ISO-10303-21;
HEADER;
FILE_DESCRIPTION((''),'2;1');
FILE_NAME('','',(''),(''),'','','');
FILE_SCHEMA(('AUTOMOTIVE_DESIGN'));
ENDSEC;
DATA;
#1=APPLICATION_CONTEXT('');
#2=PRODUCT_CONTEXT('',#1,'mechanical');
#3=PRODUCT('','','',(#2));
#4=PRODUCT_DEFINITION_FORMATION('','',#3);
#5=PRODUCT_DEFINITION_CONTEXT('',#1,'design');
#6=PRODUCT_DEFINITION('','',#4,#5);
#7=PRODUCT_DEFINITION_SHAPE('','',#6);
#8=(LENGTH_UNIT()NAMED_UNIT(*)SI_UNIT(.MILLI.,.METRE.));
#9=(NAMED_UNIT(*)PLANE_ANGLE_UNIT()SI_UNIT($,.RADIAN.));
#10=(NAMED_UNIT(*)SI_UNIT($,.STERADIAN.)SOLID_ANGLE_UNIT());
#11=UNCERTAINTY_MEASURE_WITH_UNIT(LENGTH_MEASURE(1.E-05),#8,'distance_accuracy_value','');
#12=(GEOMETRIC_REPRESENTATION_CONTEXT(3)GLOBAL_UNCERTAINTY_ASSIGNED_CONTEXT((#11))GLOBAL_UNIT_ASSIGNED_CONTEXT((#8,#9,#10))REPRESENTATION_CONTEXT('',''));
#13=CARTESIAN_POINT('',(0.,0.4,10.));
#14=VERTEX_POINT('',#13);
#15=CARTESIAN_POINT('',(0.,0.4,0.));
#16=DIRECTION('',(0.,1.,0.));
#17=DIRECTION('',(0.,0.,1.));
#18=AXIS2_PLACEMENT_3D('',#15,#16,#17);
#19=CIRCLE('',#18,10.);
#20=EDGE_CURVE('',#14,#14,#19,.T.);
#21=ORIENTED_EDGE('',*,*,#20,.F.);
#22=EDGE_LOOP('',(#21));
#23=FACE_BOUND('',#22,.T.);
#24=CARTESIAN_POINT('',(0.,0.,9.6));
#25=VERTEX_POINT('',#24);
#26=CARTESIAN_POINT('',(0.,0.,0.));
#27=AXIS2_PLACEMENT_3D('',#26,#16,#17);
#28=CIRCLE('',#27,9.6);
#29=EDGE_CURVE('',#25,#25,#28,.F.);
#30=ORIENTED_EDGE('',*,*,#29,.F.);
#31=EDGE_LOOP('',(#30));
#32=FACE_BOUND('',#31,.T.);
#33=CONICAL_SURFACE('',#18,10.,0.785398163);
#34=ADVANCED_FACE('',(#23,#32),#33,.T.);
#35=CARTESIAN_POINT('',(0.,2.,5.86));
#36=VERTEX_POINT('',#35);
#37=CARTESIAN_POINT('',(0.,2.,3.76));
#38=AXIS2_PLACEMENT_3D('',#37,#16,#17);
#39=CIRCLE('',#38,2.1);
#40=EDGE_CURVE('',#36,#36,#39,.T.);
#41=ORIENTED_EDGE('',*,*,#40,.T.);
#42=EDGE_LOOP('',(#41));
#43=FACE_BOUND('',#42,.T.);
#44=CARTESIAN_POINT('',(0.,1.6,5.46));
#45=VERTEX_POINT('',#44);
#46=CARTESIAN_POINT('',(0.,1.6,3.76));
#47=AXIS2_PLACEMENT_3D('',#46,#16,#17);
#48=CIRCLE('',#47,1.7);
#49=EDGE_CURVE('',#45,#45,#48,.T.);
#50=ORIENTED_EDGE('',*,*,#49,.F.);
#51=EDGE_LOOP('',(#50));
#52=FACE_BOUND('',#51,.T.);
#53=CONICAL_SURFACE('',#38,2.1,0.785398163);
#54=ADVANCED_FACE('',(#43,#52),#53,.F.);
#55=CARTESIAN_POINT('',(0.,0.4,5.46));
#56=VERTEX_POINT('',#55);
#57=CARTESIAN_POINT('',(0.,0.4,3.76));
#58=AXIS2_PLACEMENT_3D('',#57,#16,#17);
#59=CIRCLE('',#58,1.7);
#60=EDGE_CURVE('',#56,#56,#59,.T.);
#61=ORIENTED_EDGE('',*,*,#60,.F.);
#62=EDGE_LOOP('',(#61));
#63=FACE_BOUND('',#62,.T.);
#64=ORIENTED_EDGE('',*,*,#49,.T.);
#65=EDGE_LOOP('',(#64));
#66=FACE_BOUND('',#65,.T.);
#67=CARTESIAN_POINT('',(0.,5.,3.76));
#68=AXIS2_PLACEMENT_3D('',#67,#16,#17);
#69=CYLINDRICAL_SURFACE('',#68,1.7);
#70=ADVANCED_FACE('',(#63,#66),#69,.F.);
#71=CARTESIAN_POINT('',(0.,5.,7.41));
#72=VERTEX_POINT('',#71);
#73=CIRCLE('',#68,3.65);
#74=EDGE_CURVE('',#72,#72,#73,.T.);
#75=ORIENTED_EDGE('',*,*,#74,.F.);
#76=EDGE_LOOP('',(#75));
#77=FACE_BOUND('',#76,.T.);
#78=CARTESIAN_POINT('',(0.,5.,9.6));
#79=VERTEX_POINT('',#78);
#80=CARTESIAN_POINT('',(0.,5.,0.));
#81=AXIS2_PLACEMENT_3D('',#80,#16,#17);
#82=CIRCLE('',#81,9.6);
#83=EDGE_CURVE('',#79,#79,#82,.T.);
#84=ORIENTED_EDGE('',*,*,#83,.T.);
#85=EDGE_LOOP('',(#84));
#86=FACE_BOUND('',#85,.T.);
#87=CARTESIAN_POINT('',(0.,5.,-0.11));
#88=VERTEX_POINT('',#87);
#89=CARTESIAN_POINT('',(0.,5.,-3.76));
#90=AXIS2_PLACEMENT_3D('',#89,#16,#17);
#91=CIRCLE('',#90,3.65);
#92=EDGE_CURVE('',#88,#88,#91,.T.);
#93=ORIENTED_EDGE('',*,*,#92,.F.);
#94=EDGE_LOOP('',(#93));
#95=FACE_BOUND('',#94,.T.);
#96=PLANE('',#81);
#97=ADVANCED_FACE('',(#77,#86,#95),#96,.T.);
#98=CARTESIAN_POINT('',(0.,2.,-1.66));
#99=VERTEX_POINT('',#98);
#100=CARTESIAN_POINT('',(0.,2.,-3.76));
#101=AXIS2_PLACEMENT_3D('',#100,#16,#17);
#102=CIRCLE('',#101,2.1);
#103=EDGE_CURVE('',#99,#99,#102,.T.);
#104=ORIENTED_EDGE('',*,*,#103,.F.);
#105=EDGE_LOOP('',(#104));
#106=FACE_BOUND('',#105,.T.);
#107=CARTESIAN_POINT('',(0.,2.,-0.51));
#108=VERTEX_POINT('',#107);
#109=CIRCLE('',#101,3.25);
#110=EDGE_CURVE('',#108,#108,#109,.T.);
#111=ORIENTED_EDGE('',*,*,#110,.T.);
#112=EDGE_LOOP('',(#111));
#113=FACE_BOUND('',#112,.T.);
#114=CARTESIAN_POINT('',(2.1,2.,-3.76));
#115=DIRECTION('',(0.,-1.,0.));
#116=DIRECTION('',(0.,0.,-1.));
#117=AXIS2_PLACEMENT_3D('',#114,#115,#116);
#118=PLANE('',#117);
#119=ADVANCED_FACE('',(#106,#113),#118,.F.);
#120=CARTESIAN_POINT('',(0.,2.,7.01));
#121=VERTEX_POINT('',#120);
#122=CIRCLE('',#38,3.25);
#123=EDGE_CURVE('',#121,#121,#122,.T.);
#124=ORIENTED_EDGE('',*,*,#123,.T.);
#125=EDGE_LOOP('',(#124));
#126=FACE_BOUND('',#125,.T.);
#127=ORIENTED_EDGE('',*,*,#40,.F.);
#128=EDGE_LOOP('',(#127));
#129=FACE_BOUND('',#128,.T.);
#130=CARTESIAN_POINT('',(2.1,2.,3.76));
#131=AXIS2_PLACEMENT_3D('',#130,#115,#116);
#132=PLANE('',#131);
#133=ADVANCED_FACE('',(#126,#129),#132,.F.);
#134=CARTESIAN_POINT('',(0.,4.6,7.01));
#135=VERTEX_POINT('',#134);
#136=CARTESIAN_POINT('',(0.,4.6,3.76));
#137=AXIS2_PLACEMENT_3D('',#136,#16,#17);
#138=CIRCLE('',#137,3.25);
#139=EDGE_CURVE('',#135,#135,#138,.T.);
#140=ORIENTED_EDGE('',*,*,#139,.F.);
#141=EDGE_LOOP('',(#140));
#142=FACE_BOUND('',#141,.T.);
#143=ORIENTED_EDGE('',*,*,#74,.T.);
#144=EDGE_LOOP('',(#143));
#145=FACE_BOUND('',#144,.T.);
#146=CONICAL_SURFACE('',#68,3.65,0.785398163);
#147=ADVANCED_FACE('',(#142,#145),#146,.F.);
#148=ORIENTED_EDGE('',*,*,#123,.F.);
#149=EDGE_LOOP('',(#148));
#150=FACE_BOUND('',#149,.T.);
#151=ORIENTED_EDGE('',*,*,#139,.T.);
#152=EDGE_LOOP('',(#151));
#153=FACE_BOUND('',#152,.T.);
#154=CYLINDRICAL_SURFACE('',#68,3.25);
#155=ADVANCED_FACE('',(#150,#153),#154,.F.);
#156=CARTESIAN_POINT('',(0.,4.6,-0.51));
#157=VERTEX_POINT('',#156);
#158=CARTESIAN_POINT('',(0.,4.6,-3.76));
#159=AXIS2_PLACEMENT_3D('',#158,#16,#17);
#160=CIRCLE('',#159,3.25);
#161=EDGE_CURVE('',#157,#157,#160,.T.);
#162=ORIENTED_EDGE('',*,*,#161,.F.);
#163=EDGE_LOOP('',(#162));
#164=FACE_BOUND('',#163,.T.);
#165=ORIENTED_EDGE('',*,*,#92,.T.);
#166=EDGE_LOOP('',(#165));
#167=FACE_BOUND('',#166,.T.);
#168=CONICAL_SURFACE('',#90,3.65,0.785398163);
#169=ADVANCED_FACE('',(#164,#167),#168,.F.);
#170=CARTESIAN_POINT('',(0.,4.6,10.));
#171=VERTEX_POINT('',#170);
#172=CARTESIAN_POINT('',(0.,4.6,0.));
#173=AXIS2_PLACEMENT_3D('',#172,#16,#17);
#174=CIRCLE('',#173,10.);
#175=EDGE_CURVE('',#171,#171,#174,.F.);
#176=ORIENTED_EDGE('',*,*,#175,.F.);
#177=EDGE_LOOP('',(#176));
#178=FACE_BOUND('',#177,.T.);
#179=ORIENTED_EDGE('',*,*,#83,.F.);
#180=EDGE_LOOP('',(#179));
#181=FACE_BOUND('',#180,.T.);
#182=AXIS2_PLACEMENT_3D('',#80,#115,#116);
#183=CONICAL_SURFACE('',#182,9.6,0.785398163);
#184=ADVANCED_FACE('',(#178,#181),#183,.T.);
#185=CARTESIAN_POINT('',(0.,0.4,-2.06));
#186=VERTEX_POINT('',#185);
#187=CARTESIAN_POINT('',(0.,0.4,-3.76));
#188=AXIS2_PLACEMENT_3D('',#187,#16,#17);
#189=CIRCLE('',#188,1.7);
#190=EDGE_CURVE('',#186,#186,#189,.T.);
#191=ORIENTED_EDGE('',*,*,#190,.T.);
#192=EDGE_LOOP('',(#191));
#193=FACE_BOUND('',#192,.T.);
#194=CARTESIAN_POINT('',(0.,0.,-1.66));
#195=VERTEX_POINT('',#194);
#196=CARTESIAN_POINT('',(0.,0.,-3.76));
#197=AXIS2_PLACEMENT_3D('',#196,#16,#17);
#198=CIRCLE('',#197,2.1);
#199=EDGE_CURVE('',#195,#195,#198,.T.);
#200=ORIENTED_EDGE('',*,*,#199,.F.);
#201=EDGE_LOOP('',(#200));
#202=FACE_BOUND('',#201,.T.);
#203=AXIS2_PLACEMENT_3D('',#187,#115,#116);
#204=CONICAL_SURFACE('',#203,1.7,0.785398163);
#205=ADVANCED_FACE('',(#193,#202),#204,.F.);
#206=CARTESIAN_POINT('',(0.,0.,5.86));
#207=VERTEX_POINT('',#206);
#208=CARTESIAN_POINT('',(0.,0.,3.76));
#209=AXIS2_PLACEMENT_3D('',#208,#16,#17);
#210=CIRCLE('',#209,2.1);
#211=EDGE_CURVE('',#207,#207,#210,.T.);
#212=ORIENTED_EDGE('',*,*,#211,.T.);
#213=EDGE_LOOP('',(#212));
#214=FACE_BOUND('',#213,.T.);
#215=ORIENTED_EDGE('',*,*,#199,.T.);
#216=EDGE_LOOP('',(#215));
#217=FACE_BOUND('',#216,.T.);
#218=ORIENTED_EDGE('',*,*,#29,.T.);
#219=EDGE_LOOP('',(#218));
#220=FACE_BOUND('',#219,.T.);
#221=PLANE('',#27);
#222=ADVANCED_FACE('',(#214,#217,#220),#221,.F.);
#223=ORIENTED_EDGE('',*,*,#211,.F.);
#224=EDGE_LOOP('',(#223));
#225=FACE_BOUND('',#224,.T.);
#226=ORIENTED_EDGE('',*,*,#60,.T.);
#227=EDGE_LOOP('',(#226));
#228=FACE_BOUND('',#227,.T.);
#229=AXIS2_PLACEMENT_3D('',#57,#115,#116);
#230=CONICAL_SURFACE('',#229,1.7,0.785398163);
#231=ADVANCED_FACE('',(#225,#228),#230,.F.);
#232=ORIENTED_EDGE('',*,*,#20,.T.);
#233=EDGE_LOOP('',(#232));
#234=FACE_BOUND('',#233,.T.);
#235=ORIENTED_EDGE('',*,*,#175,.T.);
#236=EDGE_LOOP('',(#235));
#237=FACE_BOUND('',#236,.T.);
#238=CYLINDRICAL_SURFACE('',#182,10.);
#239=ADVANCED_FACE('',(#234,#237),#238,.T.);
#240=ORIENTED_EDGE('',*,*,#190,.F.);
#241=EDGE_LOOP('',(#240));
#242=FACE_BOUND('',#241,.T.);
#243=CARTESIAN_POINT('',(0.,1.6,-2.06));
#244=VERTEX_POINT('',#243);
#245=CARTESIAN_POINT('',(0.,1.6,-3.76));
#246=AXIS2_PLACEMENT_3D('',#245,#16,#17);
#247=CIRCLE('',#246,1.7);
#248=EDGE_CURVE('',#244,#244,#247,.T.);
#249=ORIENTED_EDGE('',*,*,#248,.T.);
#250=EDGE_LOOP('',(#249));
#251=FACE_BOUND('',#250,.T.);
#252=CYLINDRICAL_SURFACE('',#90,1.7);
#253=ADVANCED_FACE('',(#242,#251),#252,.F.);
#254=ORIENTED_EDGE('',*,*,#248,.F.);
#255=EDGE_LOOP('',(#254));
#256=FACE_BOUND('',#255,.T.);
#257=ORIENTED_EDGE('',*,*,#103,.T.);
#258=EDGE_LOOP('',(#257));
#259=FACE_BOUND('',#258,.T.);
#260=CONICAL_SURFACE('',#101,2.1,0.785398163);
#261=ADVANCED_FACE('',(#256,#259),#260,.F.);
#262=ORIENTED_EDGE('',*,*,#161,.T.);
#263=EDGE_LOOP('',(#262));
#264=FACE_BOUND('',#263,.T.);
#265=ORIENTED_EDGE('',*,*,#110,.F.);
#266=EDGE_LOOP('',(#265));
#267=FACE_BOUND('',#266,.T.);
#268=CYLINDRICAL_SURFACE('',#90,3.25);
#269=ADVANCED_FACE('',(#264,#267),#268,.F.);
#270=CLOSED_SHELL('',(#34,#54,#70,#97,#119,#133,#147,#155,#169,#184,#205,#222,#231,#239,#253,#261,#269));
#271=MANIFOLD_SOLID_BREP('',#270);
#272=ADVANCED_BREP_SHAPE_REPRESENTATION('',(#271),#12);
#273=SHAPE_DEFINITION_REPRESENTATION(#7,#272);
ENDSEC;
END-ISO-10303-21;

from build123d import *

# Parameters (mm, degrees)
SKETCH1_R                     = 10
BOSS_EXTRUDE1_DEPTH           = 5
CBORE_FOR_M3_SHCS1_AT_2_COUNT = 2
CBORE_FOR_M3_SHCS1_AT_2_PITCH = 7.52
CHAMFER1_SIZE                 = 0.4


with BuildPart() as part:
    # Sketch1 → Boss-Extrude1 (new body)
    with BuildSketch(Plane(origin=(0, 0, 0), x_dir=(1, 0, 0), z_dir=(0, 1, 0))):
        with Locations(Location((0, 0, 0), (0, 0, 270))):
            Circle(SKETCH1_R)
    extrude(amount=BOSS_EXTRUDE1_DEPTH)

    # Sketch3 → CBORE for M3 SHCS1 (revolve, cut)
    with BuildSketch(Plane(origin=(0, 5, -3.76), x_dir=(0, 0, 1), z_dir=(1, 0, 0))):
        Polygon((0, 0), (0, 5), (2.1, 5), (1.7, 4.6), (1.7, 3.4), (2.1, 3), (3.25, 3), (3.25, 0.4), (3.65, 0), align=None)
    cbore_for_m3_shcs1 = revolve(axis=Axis((0, 11.35, -3.76), (0, -1, 0)), mode=Mode.SUBTRACT)

    # CBORE for M3 SHCS1 at 2: CBORE for M3 SHCS1 ×2
    with Locations(*[(0, 0, i * CBORE_FOR_M3_SHCS1_AT_2_PITCH) for i in range(1, CBORE_FOR_M3_SHCS1_AT_2_COUNT)]):
        add(cbore_for_m3_shcs1, mode=Mode.SUBTRACT)

    # Chamfer1
    chamfer1_edges = [part.edges().sort_by_distance(p)[0] for p in [
        (0, 0, -10),
        (0, 5, -10),
    ]]
    chamfer(chamfer1_edges, length=CHAMFER1_SIZE)


solid = part.part
